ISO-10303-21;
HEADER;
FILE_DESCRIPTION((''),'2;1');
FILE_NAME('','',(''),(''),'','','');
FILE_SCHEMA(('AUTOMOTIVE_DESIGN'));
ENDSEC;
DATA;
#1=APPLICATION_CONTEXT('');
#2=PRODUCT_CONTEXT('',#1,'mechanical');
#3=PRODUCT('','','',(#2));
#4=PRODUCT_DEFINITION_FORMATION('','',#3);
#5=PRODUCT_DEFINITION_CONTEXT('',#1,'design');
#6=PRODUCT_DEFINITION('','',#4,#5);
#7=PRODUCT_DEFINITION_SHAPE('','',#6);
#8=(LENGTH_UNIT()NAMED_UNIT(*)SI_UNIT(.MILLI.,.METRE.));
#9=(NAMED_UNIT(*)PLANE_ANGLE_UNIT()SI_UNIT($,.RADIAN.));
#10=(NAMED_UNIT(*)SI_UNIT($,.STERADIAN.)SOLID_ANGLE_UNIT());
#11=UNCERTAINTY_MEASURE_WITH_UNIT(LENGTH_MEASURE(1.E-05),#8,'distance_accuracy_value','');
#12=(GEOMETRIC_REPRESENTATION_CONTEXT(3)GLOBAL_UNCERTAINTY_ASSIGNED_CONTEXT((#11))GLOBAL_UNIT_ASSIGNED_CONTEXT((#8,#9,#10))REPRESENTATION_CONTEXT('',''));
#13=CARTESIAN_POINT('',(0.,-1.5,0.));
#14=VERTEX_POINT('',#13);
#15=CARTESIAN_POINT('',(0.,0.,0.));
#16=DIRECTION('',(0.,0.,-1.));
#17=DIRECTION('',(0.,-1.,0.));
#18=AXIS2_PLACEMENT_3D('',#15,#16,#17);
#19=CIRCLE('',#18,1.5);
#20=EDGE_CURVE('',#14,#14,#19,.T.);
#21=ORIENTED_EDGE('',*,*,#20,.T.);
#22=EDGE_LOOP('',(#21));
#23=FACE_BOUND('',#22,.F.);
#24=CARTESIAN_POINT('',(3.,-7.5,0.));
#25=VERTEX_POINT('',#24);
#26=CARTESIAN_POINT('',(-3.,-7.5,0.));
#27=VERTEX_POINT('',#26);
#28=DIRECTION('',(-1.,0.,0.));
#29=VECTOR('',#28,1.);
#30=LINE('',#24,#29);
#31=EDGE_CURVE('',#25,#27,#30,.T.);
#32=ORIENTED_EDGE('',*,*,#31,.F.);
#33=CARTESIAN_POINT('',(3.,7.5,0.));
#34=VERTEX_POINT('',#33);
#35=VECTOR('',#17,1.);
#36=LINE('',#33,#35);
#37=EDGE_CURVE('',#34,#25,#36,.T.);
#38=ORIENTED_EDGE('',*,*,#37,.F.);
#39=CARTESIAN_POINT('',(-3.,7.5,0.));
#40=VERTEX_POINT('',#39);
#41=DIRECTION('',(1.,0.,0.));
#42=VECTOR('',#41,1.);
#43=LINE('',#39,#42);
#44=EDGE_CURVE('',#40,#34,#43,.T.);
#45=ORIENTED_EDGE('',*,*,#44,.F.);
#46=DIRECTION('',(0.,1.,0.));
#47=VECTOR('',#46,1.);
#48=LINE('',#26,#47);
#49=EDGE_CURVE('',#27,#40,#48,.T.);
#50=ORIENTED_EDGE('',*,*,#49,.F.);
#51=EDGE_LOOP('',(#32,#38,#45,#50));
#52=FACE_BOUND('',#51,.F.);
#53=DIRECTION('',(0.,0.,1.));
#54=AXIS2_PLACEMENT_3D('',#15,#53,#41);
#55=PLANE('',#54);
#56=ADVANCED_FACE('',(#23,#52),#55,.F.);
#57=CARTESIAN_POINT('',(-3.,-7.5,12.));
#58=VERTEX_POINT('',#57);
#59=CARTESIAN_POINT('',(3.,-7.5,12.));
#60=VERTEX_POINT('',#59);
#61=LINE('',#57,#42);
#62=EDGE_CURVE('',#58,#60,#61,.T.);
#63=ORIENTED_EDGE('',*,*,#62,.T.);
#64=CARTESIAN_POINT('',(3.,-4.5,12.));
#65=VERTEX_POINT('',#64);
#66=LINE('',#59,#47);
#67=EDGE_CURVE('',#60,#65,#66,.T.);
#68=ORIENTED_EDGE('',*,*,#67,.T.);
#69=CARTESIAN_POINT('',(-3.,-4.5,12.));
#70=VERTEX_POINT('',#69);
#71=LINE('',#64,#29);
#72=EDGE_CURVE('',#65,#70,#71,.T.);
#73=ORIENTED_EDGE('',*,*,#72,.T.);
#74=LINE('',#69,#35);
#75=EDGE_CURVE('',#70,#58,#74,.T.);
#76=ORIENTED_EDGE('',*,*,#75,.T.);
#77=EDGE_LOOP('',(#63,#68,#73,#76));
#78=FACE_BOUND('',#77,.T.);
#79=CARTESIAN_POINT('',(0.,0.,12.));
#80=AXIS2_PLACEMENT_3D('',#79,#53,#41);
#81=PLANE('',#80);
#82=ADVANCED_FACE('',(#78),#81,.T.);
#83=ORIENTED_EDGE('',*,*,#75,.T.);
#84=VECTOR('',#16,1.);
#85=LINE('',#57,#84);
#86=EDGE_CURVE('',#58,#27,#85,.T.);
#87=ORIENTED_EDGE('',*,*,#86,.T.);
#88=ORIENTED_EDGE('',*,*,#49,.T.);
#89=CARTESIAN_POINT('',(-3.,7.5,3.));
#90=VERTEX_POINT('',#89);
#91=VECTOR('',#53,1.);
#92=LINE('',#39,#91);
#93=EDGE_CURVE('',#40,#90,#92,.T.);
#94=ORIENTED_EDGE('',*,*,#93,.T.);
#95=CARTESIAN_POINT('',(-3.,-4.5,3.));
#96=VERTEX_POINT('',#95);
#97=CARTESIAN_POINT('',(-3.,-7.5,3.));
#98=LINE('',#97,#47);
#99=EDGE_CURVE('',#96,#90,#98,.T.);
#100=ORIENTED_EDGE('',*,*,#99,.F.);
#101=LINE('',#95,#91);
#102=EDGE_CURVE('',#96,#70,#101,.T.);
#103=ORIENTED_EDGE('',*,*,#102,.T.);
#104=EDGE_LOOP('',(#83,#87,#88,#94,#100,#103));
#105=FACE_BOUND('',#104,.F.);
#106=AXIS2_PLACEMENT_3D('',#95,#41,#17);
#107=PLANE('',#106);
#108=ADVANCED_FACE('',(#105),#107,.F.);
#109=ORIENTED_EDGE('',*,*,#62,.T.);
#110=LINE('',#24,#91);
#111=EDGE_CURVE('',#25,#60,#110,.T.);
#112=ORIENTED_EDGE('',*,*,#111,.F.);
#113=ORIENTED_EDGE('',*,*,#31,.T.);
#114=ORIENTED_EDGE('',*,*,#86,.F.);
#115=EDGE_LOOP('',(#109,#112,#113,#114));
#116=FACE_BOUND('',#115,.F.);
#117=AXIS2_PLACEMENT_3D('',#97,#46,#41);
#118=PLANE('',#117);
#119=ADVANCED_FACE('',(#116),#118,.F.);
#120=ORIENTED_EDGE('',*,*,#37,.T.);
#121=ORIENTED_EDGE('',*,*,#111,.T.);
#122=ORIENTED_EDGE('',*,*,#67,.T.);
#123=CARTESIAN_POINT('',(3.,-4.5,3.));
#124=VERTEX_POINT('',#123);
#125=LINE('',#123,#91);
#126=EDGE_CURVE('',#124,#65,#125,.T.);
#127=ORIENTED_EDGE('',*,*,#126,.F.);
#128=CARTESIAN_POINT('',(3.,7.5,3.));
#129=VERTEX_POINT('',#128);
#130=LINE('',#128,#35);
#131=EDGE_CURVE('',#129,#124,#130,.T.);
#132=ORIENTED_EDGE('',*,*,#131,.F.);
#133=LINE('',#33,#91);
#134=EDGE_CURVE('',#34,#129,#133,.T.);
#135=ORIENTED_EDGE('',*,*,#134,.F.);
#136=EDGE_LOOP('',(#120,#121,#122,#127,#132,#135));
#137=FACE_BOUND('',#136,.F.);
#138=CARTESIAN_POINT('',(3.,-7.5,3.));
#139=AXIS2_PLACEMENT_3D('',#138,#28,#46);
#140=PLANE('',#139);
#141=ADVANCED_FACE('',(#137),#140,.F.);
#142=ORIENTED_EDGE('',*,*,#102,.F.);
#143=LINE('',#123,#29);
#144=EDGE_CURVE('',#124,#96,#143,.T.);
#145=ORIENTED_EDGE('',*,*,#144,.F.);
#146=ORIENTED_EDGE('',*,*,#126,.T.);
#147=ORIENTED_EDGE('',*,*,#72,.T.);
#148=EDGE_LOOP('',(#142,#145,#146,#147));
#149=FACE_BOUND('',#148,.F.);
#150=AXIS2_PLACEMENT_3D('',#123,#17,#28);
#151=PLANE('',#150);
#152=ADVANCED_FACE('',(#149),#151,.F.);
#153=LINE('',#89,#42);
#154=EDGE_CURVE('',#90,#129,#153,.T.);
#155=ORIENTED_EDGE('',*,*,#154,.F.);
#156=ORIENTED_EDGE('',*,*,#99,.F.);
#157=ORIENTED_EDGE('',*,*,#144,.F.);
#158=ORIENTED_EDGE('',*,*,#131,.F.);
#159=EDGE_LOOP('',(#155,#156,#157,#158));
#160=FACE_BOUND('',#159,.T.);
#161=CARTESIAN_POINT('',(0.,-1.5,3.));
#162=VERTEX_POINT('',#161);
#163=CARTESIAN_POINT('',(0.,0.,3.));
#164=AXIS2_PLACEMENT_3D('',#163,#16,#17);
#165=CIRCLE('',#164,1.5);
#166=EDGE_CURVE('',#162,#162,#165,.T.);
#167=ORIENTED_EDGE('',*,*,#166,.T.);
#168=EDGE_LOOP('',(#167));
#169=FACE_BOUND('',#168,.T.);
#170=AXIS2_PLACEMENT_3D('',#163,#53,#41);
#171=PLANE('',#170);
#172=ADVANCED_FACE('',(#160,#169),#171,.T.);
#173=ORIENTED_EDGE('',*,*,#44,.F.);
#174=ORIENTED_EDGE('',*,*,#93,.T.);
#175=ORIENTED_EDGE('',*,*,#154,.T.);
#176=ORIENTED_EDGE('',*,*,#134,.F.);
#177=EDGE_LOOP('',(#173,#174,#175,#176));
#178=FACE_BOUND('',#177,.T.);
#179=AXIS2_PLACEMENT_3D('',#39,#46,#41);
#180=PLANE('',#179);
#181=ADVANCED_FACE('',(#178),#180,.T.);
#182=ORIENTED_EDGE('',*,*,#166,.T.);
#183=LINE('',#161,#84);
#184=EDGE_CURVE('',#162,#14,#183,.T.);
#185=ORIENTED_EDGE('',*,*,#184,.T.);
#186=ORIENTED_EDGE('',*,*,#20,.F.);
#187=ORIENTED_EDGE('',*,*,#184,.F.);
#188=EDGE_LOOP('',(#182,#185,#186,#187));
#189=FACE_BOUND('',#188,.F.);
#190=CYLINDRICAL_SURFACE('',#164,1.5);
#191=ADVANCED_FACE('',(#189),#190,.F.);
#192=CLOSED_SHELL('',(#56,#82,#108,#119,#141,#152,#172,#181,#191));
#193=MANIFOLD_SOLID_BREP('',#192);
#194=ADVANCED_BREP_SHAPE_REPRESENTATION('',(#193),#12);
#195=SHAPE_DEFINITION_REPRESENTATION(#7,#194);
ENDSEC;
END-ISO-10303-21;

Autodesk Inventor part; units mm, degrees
ref_plane "YZ Plane" through (0, 0, 0) normal (1, 0, 0) x (0, 1, 0)
ref_plane "XZ Plane" through (0, 0, 0) normal (0, 1, 0) x (-1, 0, 0)
ref_plane "XY Plane" through (0, 0, 0) normal (0, 0, 1) x (1, 0, 0)
sketch "Эскиз1" plane through (0, 0, 0) normal (0, 0, 1) x (1, 0, 0)
  line L0 (-3, 7.5) -> (3, 7.5)
  line L1 (3, 7.5) -> (3, -7.5)
  line L2 (3, -7.5) -> (-3, -7.5)
  line L3 (-3, -7.5) -> (-3, 7.5)
  point P0 (0, 0)
  point P1 (3, 0)
  point P2 (0, 7.5)
  dimension "d0" = 6
  dimension "d1" = 15
extrude "Выдавливание1" add sketch "Эскиз1" along normal blind 3
sketch "Эскиз2" plane through (0, 0, 3) normal (0, 0, 1) x (1, 0, 0)
  line L0 (3, 7.5) -> (-3, 7.5) projected
  point P0 (0, 0)
  point P1 (0, 0)
  dimension "d4" = 7.5
hole "Отверстие1" at (0, 0, 3) direction (0, 0, -1) diameter 3 end through all
sketch "Эскиз3" plane through (0, 0, 3) normal (0, 0, 1) x (1, 0, 0)
  line L0 (3, -7.5) -> (3, 7.5) projected
  line L1 (-3, -7.5) -> (3, -7.5)
  line L2 (3, -7.5) -> (3, -4.5)
  line L3 (3, -4.5) -> (-3, -4.5)
  line L4 (-3, -4.5) -> (-3, -7.5)
  dimension "d12" = 3
extrude "Выдавливание2" add sketch "Эскиз3" along normal blind 9
properties part number "Угловой_крепеж"
